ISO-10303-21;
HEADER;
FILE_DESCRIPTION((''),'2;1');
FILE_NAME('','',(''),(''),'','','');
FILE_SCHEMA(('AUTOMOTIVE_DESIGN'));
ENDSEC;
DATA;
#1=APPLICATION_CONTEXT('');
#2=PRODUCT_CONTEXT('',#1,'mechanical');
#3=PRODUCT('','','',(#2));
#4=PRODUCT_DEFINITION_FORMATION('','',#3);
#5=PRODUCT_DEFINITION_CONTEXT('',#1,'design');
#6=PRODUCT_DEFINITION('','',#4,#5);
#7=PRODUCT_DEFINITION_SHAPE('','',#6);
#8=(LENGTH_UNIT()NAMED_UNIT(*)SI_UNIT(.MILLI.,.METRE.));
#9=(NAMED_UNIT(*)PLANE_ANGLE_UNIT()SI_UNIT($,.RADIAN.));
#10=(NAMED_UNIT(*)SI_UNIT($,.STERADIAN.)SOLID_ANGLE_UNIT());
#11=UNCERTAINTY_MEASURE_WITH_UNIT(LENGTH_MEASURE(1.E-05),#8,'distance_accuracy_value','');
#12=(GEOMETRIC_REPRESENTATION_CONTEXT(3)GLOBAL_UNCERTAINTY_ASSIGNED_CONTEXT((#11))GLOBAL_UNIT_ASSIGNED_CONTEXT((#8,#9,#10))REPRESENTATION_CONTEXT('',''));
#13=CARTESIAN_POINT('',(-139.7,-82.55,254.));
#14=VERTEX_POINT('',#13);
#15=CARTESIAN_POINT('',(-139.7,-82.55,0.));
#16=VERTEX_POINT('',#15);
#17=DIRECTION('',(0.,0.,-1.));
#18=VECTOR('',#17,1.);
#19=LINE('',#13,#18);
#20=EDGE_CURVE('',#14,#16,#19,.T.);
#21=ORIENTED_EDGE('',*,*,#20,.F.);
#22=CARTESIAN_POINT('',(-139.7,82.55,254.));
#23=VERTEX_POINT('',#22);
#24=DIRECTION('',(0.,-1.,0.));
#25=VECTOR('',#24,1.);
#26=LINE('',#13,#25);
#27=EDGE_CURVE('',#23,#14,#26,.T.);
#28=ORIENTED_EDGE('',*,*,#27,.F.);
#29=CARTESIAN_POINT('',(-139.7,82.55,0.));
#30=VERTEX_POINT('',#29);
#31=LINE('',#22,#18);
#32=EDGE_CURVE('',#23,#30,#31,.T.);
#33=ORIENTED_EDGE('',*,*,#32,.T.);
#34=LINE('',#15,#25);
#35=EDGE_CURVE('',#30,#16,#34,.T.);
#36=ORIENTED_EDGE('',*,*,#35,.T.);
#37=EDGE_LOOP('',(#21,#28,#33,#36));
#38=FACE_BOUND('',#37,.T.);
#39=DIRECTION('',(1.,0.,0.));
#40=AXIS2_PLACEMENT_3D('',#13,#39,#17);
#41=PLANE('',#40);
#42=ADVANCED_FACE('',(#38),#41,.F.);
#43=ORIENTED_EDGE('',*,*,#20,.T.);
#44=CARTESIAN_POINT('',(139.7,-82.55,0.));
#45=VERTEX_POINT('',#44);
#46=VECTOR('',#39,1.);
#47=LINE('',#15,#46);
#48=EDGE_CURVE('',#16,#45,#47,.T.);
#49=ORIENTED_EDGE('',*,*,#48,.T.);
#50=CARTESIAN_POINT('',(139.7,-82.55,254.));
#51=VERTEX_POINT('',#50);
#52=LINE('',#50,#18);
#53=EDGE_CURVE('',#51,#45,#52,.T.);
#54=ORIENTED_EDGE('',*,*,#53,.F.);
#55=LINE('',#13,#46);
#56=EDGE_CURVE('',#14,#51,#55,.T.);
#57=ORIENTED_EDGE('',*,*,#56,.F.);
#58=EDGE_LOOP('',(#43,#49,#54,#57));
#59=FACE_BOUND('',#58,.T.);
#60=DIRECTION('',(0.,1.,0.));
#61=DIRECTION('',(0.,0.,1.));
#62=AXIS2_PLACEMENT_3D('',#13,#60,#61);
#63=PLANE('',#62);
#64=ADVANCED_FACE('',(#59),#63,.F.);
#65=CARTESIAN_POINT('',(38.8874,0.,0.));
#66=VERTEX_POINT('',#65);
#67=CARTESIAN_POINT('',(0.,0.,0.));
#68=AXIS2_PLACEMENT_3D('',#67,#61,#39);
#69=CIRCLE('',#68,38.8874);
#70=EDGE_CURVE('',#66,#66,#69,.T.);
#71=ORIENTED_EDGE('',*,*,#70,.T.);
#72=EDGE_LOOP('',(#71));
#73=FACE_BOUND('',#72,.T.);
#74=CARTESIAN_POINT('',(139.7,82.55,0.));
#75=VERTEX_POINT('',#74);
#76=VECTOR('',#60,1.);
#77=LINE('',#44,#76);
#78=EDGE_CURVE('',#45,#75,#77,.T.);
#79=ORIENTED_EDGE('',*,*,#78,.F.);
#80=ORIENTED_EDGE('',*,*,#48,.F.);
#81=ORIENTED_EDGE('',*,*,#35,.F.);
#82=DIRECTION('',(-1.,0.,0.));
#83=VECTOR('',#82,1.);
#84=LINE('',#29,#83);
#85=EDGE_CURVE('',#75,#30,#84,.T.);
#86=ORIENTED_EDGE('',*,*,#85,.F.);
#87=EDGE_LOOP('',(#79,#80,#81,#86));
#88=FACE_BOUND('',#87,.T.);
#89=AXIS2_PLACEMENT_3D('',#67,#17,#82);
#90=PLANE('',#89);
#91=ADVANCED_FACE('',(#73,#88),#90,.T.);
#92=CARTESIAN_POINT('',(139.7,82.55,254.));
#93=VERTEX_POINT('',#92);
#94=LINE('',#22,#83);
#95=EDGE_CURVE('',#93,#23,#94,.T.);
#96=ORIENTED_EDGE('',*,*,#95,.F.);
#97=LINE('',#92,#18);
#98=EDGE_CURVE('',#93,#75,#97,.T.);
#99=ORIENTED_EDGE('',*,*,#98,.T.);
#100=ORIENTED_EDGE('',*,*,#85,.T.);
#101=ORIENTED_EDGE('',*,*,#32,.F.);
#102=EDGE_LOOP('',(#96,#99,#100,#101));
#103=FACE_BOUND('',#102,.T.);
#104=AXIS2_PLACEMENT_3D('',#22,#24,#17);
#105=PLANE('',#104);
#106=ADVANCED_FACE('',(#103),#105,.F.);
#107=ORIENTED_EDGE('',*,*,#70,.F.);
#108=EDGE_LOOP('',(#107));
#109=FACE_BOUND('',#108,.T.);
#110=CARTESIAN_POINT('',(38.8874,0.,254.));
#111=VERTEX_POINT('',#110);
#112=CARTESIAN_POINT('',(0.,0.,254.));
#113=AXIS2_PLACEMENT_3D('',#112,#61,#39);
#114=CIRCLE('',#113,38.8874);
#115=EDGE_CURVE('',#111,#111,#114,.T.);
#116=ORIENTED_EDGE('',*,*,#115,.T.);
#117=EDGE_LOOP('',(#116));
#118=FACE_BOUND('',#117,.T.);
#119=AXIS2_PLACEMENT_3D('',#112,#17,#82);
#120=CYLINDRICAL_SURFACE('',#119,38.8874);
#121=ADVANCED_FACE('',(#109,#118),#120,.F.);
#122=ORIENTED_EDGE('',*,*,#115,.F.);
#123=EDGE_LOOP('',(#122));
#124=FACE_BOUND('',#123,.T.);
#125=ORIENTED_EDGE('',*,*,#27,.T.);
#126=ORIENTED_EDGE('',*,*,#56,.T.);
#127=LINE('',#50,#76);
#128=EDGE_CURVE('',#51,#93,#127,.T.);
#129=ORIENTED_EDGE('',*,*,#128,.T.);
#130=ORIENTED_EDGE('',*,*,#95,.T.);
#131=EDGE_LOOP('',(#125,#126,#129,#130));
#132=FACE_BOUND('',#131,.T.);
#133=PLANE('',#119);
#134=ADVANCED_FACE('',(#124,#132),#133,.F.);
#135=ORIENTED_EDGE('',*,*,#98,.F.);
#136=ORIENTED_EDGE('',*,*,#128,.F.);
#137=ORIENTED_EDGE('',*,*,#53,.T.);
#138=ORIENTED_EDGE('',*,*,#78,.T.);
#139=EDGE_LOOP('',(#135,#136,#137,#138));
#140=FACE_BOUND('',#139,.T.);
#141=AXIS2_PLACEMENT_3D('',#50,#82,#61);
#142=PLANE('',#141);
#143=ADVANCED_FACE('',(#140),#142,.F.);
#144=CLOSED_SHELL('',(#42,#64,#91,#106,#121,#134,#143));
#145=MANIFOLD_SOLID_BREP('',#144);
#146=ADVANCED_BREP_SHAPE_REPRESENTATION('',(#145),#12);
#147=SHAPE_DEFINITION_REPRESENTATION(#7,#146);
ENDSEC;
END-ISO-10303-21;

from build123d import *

# Parameters (mm, degrees)
SKETCH1_W           = 279.4
SKETCH1_H           = 165.1
BOSS_EXTRUDE1_DEPTH = 254
SKETCH2_R           = 38.8874
CUT_EXTRUDE1_DEPTH  = 302.407684872


with BuildPart() as part:
    # Sketch1 → Boss-Extrude1 (new body)
    with BuildSketch(Plane.XY):
        Rectangle(SKETCH1_W, SKETCH1_H)
    extrude(amount=BOSS_EXTRUDE1_DEPTH)

    # Sketch2 → Cut-Extrude1 (cut, through all)
    with BuildSketch(Plane.XY):
        Circle(SKETCH2_R)
    extrude(amount=CUT_EXTRUDE1_DEPTH, mode=Mode.SUBTRACT)


solid = part.part
